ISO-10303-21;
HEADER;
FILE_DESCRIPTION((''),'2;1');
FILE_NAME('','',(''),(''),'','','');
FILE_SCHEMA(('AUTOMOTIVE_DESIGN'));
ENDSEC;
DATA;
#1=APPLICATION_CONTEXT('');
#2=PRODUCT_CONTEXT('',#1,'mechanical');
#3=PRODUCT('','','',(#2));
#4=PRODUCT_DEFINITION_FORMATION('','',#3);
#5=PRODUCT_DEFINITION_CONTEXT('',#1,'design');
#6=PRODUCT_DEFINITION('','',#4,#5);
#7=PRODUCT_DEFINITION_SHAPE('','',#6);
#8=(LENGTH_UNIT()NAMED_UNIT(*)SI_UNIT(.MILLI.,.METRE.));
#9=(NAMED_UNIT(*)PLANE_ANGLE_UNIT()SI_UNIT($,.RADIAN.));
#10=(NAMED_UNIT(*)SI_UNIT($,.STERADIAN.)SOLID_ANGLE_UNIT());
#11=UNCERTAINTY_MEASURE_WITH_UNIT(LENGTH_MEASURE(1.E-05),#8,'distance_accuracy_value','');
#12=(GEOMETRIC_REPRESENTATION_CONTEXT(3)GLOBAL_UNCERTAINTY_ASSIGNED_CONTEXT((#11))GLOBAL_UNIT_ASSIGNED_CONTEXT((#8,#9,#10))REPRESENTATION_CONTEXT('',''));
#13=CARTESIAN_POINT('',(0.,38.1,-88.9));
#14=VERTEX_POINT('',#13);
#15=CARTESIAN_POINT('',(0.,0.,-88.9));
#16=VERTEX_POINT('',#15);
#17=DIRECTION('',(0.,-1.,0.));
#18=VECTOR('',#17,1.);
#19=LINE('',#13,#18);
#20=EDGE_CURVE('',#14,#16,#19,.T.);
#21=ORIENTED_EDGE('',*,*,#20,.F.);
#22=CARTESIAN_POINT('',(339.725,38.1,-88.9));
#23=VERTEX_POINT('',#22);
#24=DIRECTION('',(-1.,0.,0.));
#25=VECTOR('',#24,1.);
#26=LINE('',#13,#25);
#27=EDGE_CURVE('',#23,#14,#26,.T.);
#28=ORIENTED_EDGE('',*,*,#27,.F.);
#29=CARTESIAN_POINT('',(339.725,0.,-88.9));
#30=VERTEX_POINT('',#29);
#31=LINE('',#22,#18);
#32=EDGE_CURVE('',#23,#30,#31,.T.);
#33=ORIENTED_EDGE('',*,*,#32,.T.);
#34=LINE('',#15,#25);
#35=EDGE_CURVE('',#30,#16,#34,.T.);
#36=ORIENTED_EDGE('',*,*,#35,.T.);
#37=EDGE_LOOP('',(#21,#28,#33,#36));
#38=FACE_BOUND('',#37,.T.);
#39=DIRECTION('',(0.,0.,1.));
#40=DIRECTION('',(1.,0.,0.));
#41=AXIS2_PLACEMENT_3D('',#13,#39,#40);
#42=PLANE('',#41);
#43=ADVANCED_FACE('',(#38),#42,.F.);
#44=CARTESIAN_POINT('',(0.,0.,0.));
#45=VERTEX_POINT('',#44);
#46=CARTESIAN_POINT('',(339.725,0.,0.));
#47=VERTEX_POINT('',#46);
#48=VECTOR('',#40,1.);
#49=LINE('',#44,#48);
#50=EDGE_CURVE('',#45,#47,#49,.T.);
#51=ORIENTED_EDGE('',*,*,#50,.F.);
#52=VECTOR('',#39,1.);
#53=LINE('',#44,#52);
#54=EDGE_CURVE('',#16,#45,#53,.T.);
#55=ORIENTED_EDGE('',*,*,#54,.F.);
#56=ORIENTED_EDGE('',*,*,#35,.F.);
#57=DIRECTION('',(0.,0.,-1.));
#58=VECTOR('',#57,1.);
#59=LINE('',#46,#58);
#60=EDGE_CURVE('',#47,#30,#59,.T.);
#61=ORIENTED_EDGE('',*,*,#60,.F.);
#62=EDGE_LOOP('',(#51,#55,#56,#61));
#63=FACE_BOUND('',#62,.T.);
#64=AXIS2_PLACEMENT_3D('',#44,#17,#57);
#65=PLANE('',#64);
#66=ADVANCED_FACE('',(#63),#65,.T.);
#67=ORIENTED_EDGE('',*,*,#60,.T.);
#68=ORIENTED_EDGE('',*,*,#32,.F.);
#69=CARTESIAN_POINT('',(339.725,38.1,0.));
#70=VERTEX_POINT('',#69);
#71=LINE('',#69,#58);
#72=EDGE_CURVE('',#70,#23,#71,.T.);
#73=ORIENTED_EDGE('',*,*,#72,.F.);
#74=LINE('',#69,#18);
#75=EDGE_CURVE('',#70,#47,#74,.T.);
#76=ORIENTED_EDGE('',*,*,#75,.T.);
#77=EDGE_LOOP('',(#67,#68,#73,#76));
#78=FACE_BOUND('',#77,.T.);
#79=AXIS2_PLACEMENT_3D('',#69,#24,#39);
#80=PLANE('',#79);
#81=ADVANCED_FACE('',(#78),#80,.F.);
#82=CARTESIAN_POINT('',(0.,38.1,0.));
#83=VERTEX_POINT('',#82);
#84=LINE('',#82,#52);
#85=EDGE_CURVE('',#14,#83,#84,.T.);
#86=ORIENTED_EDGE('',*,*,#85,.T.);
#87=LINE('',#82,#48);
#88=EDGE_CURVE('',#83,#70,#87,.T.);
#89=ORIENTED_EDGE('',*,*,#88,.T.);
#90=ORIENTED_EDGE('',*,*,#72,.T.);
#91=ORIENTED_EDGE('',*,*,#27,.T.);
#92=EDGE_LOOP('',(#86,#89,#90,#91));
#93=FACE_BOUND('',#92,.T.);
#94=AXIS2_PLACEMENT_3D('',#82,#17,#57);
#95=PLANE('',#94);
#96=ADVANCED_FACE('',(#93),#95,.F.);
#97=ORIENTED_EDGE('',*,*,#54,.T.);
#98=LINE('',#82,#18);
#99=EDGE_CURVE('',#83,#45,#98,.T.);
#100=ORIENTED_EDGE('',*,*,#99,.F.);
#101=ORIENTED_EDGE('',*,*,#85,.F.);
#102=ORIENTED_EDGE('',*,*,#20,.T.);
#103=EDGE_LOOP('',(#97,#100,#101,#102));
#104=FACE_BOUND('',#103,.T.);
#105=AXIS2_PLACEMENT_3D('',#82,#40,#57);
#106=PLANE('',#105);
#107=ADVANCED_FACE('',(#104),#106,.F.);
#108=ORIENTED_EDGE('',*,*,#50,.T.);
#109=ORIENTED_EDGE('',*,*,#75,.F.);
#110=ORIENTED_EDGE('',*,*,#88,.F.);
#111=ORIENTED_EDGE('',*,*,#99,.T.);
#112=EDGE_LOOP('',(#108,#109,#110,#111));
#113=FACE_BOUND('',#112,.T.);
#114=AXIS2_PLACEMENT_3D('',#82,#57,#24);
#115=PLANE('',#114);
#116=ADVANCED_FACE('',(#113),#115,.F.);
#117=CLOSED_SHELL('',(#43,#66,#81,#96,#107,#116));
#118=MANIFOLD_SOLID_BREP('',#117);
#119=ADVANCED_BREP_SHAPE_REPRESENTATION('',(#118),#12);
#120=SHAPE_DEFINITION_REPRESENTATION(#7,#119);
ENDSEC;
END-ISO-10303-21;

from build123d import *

# Parameters (mm, degrees)
SKETCH1_W           = 339.725
SKETCH1_H           = 88.9
BOSS_EXTRUDE1_DEPTH = 38.1


with BuildPart() as part:
    # Sketch1 → Boss-Extrude1 (new body)
    with BuildSketch(Plane(origin=(0, 0, 0), x_dir=(1, 0, 0), z_dir=(0, 1, 0))):
        with Locations((169.8625, 44.45)):
            Rectangle(SKETCH1_W, SKETCH1_H)
    extrude(amount=BOSS_EXTRUDE1_DEPTH)


solid = part.part
